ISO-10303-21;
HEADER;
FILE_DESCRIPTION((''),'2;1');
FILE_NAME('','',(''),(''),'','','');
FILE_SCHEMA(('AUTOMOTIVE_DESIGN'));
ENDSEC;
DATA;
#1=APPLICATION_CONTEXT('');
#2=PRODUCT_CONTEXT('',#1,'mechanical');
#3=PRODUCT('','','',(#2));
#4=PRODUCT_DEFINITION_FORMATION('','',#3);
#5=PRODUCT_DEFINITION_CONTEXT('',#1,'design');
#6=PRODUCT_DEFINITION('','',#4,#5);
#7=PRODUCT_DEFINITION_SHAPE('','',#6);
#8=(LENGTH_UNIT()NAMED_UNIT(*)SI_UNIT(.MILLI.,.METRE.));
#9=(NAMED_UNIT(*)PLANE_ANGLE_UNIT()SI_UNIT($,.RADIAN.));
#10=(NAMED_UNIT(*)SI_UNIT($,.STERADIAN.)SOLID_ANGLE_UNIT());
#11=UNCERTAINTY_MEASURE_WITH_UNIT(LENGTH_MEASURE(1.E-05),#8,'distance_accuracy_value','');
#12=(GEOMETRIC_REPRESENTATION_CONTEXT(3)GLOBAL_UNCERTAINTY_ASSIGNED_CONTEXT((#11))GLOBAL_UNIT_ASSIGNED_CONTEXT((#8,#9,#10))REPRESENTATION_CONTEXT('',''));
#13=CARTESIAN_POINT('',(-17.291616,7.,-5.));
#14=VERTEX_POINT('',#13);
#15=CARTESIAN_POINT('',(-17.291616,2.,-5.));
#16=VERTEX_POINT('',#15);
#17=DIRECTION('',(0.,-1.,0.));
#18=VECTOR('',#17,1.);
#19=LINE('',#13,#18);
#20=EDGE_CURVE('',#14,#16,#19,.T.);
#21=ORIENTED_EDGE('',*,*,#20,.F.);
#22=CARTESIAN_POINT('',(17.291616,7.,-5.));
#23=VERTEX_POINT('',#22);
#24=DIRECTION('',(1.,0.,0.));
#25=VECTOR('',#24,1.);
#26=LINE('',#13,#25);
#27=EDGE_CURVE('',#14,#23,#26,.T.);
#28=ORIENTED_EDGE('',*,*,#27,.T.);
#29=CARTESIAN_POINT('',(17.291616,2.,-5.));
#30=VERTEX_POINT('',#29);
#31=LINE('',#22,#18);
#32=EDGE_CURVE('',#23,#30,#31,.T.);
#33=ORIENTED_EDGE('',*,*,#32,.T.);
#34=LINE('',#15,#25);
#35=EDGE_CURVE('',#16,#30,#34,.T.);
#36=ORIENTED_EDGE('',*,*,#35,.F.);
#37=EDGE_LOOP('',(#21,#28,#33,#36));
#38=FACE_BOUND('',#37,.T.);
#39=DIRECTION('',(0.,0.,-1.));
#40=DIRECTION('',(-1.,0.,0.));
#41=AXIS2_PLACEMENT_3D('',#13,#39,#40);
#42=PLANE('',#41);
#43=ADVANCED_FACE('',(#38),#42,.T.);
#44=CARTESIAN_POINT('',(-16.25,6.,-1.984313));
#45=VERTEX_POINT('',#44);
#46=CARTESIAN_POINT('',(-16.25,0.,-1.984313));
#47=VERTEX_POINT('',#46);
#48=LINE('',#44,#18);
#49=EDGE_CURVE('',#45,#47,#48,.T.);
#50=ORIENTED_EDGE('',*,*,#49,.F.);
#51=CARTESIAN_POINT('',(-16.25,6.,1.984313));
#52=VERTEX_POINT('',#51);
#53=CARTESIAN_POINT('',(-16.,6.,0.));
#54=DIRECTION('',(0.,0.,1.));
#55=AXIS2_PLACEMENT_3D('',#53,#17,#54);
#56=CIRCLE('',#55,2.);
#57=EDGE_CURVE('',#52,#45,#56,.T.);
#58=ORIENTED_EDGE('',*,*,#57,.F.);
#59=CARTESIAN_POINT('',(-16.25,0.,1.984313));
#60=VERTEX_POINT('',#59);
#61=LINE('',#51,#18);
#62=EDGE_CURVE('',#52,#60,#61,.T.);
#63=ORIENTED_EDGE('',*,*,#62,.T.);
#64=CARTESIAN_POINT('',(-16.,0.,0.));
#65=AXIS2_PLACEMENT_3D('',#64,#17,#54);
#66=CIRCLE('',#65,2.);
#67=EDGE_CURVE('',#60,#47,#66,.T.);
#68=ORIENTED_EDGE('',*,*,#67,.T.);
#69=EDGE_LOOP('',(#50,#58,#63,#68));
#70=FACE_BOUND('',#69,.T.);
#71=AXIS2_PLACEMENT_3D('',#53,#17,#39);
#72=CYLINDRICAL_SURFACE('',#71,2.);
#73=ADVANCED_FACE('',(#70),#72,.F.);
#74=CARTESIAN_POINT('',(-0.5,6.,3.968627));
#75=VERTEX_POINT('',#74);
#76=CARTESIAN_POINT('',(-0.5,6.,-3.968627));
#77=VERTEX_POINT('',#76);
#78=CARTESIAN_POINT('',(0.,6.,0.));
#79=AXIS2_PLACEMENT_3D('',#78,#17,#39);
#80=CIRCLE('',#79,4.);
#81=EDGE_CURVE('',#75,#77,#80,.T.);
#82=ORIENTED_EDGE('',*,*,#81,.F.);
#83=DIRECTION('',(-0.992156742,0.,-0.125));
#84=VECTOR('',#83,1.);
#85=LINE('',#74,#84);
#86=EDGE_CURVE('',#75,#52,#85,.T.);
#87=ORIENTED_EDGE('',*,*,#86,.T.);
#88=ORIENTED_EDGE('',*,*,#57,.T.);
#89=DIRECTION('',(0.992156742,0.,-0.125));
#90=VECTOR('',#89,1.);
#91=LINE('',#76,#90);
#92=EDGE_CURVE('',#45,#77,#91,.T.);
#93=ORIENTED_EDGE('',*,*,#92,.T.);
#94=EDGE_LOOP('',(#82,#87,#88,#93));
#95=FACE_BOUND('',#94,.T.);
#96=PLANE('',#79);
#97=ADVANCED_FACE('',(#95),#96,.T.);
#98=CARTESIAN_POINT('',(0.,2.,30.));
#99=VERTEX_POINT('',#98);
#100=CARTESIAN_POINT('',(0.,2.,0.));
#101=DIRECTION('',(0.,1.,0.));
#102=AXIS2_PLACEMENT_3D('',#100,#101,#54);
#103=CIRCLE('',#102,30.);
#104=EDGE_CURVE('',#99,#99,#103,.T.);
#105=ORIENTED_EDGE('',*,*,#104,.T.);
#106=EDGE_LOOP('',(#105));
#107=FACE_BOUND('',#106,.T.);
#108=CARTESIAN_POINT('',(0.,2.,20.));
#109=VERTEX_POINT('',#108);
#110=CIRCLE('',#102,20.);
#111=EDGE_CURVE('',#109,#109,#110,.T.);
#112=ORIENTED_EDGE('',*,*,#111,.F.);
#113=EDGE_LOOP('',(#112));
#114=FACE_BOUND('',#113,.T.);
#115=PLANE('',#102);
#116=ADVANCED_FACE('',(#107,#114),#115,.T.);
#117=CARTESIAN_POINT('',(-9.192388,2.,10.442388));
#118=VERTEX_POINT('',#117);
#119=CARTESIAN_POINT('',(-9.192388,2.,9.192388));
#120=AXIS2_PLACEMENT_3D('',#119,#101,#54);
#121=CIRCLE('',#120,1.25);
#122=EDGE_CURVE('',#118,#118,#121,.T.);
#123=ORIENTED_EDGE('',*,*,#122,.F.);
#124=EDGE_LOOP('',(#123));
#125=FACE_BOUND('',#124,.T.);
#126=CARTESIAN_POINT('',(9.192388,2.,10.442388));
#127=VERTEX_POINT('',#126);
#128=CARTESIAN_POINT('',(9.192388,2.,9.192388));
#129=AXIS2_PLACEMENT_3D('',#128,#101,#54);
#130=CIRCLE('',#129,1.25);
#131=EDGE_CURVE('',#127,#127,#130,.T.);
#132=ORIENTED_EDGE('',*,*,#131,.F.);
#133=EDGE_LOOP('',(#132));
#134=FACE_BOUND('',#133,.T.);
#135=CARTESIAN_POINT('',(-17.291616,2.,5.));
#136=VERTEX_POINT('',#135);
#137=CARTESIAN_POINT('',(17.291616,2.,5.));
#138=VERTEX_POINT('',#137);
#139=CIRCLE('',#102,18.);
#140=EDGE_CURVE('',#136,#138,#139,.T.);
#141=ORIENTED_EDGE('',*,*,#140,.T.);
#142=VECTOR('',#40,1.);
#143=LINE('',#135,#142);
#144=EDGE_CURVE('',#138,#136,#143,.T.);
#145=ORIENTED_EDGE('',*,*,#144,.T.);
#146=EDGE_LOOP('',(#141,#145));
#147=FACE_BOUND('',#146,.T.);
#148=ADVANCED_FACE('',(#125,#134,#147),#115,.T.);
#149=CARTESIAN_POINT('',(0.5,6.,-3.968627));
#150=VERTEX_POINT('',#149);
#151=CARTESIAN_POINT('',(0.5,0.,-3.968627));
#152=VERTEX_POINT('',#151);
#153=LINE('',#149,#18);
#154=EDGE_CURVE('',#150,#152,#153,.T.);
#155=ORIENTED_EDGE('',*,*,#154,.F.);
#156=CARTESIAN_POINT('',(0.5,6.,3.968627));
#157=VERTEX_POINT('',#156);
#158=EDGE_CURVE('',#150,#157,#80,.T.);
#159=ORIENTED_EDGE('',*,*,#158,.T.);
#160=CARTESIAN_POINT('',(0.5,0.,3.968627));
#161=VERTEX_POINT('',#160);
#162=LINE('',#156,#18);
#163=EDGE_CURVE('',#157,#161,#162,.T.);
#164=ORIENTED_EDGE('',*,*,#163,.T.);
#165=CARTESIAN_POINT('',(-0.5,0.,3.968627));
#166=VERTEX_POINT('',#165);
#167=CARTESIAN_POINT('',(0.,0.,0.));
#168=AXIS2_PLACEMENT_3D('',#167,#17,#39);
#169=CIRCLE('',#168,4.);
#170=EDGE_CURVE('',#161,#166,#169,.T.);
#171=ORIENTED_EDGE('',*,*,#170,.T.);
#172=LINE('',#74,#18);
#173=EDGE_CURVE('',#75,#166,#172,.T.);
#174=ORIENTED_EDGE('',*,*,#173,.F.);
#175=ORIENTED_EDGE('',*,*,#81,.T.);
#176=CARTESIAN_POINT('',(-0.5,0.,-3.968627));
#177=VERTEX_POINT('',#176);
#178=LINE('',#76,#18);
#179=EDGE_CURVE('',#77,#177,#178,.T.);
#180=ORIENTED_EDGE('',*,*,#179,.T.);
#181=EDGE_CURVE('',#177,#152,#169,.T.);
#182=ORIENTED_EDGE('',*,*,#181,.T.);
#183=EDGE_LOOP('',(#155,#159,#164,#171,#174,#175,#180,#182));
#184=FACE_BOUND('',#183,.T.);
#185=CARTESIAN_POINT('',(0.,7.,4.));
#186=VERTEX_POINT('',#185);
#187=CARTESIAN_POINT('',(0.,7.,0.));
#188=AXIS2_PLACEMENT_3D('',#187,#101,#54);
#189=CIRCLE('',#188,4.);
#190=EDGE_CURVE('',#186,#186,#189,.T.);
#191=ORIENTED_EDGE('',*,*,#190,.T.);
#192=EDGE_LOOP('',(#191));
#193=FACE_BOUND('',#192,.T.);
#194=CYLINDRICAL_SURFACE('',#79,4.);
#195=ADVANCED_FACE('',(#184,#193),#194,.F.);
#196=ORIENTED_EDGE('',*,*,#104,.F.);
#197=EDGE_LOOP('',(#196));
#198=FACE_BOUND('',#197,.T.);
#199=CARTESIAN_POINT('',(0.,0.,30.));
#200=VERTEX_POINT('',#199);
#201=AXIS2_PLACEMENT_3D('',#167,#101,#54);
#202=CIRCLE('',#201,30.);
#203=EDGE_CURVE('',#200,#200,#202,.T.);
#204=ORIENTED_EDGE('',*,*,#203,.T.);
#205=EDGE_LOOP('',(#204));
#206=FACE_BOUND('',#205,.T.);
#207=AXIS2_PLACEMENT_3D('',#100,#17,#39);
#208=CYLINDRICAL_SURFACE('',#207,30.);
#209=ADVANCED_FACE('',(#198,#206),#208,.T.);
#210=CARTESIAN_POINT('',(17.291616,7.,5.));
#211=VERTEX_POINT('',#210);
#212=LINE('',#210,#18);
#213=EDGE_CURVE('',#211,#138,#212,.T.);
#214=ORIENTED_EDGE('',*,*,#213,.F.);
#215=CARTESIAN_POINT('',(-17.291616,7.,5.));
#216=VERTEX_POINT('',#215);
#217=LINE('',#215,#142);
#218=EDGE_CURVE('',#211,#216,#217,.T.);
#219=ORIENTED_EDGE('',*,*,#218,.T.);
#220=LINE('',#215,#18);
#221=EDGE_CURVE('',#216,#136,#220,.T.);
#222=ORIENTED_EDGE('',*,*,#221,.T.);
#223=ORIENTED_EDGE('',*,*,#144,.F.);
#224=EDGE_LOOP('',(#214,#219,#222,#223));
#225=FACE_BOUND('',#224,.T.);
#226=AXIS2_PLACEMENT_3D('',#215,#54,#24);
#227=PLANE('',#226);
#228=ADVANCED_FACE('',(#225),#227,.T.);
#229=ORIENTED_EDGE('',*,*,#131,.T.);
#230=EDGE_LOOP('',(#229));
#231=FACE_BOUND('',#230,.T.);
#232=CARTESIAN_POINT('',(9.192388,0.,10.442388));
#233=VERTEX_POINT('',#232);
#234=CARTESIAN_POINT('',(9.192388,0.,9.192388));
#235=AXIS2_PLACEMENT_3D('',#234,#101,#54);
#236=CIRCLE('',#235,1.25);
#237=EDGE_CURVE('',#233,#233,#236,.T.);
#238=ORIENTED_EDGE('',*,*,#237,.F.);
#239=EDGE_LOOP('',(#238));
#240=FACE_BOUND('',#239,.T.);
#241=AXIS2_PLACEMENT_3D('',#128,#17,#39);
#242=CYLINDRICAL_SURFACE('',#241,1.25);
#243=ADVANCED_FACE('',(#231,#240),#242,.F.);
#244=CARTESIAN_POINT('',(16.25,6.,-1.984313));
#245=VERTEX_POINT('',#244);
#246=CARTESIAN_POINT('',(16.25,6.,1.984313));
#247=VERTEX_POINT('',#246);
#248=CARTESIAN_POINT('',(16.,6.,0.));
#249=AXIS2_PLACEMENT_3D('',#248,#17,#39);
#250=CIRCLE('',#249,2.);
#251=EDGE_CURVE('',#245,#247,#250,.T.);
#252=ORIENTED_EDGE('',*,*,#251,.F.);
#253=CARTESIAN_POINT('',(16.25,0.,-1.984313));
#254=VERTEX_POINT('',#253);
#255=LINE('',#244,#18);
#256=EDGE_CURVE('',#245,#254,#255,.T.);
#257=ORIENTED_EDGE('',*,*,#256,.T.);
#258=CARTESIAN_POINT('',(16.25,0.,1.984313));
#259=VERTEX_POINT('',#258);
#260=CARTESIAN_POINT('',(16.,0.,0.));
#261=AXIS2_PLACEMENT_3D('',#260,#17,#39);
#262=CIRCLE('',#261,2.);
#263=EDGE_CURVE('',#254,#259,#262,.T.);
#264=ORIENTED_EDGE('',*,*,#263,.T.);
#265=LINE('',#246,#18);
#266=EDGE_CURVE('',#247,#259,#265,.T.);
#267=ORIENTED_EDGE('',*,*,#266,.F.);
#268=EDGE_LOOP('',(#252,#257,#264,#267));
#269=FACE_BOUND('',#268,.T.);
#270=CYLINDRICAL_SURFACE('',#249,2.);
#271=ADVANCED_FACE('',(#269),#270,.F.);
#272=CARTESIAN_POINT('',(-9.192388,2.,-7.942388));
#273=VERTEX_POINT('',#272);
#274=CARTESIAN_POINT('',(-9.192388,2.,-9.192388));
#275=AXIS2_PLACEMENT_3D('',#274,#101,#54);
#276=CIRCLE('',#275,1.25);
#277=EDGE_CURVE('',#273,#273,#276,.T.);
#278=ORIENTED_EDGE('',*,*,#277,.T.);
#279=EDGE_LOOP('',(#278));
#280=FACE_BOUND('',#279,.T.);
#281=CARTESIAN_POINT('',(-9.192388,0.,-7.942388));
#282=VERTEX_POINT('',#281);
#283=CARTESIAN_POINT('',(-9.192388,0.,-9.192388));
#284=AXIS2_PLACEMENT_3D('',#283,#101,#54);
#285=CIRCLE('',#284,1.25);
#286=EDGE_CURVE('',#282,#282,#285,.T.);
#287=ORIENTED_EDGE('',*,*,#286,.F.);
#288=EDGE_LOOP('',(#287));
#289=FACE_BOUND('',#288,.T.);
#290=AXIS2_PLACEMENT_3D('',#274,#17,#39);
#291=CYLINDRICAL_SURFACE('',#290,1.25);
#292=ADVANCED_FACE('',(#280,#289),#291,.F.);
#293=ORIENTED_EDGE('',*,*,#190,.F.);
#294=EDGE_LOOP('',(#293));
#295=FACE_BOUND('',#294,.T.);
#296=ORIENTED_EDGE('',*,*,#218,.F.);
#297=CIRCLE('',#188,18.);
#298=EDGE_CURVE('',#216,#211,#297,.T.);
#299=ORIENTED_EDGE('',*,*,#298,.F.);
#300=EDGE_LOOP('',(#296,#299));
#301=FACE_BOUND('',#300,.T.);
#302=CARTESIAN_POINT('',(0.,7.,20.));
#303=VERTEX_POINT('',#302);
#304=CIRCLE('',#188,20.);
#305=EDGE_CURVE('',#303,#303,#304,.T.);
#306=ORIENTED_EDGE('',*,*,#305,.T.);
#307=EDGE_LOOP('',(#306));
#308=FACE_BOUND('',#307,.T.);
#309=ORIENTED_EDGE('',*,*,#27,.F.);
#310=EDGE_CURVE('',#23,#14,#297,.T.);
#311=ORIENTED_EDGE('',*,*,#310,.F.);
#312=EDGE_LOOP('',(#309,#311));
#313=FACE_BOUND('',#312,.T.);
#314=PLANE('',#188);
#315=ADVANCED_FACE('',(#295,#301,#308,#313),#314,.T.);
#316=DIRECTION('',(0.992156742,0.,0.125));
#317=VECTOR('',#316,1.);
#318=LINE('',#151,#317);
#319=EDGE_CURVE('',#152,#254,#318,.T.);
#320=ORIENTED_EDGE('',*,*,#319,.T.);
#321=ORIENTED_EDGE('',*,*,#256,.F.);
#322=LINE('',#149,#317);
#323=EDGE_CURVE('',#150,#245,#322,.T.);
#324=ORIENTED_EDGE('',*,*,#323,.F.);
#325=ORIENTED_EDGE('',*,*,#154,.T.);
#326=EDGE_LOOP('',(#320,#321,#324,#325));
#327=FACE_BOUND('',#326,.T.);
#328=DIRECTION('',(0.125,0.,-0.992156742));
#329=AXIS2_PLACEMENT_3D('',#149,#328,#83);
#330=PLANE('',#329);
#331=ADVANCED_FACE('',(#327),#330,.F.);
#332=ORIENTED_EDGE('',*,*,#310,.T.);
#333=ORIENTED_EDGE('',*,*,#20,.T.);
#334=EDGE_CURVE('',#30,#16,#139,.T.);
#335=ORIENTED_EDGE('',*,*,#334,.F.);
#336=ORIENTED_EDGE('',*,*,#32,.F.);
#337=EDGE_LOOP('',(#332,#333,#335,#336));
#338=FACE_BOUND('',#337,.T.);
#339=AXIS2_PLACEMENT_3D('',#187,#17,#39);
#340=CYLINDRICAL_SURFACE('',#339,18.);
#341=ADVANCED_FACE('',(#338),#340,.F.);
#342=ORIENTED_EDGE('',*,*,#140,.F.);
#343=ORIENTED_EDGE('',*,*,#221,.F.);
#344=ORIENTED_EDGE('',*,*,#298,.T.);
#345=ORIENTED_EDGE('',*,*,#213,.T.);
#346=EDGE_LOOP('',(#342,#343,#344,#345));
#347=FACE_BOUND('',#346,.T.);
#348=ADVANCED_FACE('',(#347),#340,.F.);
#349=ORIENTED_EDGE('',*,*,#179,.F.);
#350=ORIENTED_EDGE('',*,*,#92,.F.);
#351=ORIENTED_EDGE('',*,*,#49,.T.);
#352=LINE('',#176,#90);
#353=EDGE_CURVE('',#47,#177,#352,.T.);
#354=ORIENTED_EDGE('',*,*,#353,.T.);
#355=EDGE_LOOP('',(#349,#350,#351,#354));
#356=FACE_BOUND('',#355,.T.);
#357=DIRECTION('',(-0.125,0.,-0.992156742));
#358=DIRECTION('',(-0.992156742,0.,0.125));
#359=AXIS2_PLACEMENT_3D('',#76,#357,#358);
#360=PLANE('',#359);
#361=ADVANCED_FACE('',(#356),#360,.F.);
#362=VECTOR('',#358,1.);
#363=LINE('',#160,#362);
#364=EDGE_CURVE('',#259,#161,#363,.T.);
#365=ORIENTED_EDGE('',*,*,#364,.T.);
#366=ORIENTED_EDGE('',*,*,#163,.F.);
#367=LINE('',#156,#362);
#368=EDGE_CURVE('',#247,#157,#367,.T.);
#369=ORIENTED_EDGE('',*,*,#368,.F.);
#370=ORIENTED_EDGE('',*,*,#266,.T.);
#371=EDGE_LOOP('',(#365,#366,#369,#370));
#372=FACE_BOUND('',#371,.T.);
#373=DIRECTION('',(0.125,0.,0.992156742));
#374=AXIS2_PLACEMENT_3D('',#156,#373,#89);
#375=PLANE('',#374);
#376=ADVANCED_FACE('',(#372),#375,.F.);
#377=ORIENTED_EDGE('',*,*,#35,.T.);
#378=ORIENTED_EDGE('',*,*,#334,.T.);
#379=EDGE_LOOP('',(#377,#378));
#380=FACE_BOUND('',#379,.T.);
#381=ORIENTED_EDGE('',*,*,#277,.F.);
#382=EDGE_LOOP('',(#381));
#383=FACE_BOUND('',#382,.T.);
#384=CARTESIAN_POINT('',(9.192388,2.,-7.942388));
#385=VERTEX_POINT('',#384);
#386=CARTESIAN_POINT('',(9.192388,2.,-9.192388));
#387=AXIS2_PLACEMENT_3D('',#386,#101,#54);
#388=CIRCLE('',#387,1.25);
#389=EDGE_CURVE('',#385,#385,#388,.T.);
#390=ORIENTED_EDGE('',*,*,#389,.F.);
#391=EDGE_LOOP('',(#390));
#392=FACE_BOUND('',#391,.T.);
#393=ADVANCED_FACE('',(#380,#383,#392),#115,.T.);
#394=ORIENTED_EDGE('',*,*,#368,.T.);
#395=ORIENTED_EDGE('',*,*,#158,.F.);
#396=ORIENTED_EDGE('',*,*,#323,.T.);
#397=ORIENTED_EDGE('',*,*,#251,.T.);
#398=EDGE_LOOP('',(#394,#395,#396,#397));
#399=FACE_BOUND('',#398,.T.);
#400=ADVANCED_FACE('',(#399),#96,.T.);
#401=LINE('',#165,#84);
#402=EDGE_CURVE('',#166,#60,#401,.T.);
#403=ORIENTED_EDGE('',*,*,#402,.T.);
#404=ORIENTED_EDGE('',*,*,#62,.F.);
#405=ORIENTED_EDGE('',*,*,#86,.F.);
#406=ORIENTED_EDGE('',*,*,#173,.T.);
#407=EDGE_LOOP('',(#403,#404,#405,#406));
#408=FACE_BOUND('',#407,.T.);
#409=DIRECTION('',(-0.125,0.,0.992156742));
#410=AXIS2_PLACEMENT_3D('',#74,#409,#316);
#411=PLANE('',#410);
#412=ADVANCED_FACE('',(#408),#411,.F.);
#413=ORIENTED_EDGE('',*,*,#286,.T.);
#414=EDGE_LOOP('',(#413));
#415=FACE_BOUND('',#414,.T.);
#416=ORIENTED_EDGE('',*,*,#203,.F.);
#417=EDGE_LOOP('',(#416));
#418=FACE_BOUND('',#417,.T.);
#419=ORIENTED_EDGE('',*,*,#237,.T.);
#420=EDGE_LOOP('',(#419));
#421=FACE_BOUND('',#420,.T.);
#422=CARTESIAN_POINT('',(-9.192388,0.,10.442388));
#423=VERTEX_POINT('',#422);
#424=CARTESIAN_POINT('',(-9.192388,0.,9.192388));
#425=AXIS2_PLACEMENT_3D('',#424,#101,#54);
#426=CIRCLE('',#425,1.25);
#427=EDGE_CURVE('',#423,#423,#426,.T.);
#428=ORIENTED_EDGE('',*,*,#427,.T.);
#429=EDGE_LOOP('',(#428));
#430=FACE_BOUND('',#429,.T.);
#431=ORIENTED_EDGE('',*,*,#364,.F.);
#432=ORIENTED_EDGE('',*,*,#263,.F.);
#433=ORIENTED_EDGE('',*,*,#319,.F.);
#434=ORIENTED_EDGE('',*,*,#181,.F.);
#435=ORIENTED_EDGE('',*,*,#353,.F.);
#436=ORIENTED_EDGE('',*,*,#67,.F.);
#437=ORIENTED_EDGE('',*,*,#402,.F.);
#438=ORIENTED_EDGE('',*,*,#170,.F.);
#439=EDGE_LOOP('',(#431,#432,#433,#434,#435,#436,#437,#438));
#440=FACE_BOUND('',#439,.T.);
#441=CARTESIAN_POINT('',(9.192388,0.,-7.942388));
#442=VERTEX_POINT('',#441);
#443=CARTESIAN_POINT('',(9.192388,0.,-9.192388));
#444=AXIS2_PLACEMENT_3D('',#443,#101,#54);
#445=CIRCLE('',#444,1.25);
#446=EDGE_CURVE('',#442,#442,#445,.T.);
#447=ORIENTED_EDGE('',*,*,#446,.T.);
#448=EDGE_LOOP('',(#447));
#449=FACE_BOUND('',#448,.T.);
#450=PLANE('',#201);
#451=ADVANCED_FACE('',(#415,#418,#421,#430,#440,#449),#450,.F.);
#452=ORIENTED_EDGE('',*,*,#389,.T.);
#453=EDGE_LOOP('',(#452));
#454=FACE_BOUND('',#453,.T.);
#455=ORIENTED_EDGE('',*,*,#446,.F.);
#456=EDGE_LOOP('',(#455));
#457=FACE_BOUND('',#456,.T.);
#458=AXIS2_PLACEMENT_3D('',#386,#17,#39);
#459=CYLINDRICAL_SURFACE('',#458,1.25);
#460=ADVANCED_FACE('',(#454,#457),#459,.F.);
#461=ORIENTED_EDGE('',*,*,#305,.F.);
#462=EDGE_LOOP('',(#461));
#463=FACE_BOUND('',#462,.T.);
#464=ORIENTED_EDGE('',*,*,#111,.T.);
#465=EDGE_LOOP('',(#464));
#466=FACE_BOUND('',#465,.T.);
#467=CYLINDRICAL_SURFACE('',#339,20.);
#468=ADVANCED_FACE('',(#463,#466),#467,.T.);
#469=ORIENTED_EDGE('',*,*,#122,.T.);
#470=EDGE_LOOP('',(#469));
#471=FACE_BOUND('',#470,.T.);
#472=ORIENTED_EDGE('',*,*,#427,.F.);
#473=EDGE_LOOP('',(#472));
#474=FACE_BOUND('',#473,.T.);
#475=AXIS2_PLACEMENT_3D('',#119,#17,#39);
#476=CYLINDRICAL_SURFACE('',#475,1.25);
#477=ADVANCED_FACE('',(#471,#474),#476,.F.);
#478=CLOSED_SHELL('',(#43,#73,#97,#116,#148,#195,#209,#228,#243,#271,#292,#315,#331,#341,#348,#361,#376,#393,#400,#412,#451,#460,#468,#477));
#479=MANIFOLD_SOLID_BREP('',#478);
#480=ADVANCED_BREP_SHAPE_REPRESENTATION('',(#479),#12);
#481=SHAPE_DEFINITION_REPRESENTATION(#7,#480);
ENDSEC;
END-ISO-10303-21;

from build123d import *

# Parameters (mm, degrees)
SKETCH_1_R          = 30
SKETCH_1_R_2        = 1.25
EXTRUDE_1_DEPTH     = 2
SKETCH_2_R          = 20
EXTRUDE_2_DEPTH     = 5
CUT_EXTRUDE_1_DEPTH = 6
SKETCH_5_R          = 4
CUT_EXTRUDE_2_DEPTH = 6


with BuildPart() as part:
    # 草图1 → 凸台-拉伸1 (new body)
    with BuildSketch(Plane(origin=(0, 0, 0), x_dir=(1, 0, 0), z_dir=(0, 1, 0))):
        with Locations(Location((0, 0, 0), (0, 0, 270))):
            Circle(SKETCH_1_R)
        with Locations(Location((9.192388155, 9.192388155, 0), (0, 0, 270))):
            Circle(SKETCH_1_R_2, mode=Mode.SUBTRACT)
        with Locations(Location((9.192388155, -9.192388155, 0), (0, 0, 270))):
            Circle(SKETCH_1_R_2, mode=Mode.SUBTRACT)
        with Locations(Location((-9.192388155, -9.192388155, 0), (0, 0, 270))):
            Circle(SKETCH_1_R_2, mode=Mode.SUBTRACT)
        with Locations(Location((-9.192388155, 9.192388155, 0), (0, 0, 270))):
            Circle(SKETCH_1_R_2, mode=Mode.SUBTRACT)
    extrude(amount=EXTRUDE_1_DEPTH)

    # 草图2 → 凸台-拉伸2 (add)
    with BuildSketch(Plane(origin=(0, 2, 0), x_dir=(1, 0, 0), z_dir=(0, 1, 0))):
        with Locations(Location((0, 0, 0), (0, 0, 270))):
            Circle(SKETCH_2_R)
        with BuildLine():
            Line((-17.291616466, 5), (17.291616466, 5))
            ThreePointArc((17.291616466, 5), (0, 18), (-17.291616466, 5))
        make_face(mode=Mode.SUBTRACT)
        with BuildLine():
            Line((-17.291616466, -5), (17.291616466, -5))
            ThreePointArc((17.291616466, -5), (0, -18), (-17.291616466, -5))
        make_face(mode=Mode.SUBTRACT)
    extrude(amount=EXTRUDE_2_DEPTH)

    # 草图4 → 切除-拉伸1 (cut)
    with BuildSketch(Plane(origin=(0, 0, 0), x_dir=(-1, 0, 0), z_dir=(0, -1, 0))):
        with BuildLine():
            Line((-0.5, -3.968626967), (-16.25, -1.984313483))
            ThreePointArc((-16.25, -1.984313483), (-18, 0), (-16.25, 1.984313483))
            Line((-16.25, 1.984313483), (-0.5, 3.968626967))
            ThreePointArc((-0.5, 3.968626967), (0, 4), (0.5, 3.968626967))
            Line((0.5, 3.968626967), (16.25, 1.984313483))
            ThreePointArc((16.25, 1.984313483), (18, 0), (16.25, -1.984313483))
            Line((16.25, -1.984313483), (0.5, -3.968626967))
            ThreePointArc((0.5, -3.968626967), (0, -4), (-0.5, -3.968626967))
        make_face()
    extrude(amount=-CUT_EXTRUDE_1_DEPTH, mode=Mode.SUBTRACT)

    # 草图5 → 切除-拉伸2 (cut)
    with BuildSketch(Plane(origin=(0, 6, 0), x_dir=(-1, 0, 0), z_dir=(0, -1, 0))):
        with Locations(Location((0, 0, 0), (0, 0, 97.180755781))):
            Circle(SKETCH_5_R)
    extrude(amount=-CUT_EXTRUDE_2_DEPTH, mode=Mode.SUBTRACT)


solid = part.part
